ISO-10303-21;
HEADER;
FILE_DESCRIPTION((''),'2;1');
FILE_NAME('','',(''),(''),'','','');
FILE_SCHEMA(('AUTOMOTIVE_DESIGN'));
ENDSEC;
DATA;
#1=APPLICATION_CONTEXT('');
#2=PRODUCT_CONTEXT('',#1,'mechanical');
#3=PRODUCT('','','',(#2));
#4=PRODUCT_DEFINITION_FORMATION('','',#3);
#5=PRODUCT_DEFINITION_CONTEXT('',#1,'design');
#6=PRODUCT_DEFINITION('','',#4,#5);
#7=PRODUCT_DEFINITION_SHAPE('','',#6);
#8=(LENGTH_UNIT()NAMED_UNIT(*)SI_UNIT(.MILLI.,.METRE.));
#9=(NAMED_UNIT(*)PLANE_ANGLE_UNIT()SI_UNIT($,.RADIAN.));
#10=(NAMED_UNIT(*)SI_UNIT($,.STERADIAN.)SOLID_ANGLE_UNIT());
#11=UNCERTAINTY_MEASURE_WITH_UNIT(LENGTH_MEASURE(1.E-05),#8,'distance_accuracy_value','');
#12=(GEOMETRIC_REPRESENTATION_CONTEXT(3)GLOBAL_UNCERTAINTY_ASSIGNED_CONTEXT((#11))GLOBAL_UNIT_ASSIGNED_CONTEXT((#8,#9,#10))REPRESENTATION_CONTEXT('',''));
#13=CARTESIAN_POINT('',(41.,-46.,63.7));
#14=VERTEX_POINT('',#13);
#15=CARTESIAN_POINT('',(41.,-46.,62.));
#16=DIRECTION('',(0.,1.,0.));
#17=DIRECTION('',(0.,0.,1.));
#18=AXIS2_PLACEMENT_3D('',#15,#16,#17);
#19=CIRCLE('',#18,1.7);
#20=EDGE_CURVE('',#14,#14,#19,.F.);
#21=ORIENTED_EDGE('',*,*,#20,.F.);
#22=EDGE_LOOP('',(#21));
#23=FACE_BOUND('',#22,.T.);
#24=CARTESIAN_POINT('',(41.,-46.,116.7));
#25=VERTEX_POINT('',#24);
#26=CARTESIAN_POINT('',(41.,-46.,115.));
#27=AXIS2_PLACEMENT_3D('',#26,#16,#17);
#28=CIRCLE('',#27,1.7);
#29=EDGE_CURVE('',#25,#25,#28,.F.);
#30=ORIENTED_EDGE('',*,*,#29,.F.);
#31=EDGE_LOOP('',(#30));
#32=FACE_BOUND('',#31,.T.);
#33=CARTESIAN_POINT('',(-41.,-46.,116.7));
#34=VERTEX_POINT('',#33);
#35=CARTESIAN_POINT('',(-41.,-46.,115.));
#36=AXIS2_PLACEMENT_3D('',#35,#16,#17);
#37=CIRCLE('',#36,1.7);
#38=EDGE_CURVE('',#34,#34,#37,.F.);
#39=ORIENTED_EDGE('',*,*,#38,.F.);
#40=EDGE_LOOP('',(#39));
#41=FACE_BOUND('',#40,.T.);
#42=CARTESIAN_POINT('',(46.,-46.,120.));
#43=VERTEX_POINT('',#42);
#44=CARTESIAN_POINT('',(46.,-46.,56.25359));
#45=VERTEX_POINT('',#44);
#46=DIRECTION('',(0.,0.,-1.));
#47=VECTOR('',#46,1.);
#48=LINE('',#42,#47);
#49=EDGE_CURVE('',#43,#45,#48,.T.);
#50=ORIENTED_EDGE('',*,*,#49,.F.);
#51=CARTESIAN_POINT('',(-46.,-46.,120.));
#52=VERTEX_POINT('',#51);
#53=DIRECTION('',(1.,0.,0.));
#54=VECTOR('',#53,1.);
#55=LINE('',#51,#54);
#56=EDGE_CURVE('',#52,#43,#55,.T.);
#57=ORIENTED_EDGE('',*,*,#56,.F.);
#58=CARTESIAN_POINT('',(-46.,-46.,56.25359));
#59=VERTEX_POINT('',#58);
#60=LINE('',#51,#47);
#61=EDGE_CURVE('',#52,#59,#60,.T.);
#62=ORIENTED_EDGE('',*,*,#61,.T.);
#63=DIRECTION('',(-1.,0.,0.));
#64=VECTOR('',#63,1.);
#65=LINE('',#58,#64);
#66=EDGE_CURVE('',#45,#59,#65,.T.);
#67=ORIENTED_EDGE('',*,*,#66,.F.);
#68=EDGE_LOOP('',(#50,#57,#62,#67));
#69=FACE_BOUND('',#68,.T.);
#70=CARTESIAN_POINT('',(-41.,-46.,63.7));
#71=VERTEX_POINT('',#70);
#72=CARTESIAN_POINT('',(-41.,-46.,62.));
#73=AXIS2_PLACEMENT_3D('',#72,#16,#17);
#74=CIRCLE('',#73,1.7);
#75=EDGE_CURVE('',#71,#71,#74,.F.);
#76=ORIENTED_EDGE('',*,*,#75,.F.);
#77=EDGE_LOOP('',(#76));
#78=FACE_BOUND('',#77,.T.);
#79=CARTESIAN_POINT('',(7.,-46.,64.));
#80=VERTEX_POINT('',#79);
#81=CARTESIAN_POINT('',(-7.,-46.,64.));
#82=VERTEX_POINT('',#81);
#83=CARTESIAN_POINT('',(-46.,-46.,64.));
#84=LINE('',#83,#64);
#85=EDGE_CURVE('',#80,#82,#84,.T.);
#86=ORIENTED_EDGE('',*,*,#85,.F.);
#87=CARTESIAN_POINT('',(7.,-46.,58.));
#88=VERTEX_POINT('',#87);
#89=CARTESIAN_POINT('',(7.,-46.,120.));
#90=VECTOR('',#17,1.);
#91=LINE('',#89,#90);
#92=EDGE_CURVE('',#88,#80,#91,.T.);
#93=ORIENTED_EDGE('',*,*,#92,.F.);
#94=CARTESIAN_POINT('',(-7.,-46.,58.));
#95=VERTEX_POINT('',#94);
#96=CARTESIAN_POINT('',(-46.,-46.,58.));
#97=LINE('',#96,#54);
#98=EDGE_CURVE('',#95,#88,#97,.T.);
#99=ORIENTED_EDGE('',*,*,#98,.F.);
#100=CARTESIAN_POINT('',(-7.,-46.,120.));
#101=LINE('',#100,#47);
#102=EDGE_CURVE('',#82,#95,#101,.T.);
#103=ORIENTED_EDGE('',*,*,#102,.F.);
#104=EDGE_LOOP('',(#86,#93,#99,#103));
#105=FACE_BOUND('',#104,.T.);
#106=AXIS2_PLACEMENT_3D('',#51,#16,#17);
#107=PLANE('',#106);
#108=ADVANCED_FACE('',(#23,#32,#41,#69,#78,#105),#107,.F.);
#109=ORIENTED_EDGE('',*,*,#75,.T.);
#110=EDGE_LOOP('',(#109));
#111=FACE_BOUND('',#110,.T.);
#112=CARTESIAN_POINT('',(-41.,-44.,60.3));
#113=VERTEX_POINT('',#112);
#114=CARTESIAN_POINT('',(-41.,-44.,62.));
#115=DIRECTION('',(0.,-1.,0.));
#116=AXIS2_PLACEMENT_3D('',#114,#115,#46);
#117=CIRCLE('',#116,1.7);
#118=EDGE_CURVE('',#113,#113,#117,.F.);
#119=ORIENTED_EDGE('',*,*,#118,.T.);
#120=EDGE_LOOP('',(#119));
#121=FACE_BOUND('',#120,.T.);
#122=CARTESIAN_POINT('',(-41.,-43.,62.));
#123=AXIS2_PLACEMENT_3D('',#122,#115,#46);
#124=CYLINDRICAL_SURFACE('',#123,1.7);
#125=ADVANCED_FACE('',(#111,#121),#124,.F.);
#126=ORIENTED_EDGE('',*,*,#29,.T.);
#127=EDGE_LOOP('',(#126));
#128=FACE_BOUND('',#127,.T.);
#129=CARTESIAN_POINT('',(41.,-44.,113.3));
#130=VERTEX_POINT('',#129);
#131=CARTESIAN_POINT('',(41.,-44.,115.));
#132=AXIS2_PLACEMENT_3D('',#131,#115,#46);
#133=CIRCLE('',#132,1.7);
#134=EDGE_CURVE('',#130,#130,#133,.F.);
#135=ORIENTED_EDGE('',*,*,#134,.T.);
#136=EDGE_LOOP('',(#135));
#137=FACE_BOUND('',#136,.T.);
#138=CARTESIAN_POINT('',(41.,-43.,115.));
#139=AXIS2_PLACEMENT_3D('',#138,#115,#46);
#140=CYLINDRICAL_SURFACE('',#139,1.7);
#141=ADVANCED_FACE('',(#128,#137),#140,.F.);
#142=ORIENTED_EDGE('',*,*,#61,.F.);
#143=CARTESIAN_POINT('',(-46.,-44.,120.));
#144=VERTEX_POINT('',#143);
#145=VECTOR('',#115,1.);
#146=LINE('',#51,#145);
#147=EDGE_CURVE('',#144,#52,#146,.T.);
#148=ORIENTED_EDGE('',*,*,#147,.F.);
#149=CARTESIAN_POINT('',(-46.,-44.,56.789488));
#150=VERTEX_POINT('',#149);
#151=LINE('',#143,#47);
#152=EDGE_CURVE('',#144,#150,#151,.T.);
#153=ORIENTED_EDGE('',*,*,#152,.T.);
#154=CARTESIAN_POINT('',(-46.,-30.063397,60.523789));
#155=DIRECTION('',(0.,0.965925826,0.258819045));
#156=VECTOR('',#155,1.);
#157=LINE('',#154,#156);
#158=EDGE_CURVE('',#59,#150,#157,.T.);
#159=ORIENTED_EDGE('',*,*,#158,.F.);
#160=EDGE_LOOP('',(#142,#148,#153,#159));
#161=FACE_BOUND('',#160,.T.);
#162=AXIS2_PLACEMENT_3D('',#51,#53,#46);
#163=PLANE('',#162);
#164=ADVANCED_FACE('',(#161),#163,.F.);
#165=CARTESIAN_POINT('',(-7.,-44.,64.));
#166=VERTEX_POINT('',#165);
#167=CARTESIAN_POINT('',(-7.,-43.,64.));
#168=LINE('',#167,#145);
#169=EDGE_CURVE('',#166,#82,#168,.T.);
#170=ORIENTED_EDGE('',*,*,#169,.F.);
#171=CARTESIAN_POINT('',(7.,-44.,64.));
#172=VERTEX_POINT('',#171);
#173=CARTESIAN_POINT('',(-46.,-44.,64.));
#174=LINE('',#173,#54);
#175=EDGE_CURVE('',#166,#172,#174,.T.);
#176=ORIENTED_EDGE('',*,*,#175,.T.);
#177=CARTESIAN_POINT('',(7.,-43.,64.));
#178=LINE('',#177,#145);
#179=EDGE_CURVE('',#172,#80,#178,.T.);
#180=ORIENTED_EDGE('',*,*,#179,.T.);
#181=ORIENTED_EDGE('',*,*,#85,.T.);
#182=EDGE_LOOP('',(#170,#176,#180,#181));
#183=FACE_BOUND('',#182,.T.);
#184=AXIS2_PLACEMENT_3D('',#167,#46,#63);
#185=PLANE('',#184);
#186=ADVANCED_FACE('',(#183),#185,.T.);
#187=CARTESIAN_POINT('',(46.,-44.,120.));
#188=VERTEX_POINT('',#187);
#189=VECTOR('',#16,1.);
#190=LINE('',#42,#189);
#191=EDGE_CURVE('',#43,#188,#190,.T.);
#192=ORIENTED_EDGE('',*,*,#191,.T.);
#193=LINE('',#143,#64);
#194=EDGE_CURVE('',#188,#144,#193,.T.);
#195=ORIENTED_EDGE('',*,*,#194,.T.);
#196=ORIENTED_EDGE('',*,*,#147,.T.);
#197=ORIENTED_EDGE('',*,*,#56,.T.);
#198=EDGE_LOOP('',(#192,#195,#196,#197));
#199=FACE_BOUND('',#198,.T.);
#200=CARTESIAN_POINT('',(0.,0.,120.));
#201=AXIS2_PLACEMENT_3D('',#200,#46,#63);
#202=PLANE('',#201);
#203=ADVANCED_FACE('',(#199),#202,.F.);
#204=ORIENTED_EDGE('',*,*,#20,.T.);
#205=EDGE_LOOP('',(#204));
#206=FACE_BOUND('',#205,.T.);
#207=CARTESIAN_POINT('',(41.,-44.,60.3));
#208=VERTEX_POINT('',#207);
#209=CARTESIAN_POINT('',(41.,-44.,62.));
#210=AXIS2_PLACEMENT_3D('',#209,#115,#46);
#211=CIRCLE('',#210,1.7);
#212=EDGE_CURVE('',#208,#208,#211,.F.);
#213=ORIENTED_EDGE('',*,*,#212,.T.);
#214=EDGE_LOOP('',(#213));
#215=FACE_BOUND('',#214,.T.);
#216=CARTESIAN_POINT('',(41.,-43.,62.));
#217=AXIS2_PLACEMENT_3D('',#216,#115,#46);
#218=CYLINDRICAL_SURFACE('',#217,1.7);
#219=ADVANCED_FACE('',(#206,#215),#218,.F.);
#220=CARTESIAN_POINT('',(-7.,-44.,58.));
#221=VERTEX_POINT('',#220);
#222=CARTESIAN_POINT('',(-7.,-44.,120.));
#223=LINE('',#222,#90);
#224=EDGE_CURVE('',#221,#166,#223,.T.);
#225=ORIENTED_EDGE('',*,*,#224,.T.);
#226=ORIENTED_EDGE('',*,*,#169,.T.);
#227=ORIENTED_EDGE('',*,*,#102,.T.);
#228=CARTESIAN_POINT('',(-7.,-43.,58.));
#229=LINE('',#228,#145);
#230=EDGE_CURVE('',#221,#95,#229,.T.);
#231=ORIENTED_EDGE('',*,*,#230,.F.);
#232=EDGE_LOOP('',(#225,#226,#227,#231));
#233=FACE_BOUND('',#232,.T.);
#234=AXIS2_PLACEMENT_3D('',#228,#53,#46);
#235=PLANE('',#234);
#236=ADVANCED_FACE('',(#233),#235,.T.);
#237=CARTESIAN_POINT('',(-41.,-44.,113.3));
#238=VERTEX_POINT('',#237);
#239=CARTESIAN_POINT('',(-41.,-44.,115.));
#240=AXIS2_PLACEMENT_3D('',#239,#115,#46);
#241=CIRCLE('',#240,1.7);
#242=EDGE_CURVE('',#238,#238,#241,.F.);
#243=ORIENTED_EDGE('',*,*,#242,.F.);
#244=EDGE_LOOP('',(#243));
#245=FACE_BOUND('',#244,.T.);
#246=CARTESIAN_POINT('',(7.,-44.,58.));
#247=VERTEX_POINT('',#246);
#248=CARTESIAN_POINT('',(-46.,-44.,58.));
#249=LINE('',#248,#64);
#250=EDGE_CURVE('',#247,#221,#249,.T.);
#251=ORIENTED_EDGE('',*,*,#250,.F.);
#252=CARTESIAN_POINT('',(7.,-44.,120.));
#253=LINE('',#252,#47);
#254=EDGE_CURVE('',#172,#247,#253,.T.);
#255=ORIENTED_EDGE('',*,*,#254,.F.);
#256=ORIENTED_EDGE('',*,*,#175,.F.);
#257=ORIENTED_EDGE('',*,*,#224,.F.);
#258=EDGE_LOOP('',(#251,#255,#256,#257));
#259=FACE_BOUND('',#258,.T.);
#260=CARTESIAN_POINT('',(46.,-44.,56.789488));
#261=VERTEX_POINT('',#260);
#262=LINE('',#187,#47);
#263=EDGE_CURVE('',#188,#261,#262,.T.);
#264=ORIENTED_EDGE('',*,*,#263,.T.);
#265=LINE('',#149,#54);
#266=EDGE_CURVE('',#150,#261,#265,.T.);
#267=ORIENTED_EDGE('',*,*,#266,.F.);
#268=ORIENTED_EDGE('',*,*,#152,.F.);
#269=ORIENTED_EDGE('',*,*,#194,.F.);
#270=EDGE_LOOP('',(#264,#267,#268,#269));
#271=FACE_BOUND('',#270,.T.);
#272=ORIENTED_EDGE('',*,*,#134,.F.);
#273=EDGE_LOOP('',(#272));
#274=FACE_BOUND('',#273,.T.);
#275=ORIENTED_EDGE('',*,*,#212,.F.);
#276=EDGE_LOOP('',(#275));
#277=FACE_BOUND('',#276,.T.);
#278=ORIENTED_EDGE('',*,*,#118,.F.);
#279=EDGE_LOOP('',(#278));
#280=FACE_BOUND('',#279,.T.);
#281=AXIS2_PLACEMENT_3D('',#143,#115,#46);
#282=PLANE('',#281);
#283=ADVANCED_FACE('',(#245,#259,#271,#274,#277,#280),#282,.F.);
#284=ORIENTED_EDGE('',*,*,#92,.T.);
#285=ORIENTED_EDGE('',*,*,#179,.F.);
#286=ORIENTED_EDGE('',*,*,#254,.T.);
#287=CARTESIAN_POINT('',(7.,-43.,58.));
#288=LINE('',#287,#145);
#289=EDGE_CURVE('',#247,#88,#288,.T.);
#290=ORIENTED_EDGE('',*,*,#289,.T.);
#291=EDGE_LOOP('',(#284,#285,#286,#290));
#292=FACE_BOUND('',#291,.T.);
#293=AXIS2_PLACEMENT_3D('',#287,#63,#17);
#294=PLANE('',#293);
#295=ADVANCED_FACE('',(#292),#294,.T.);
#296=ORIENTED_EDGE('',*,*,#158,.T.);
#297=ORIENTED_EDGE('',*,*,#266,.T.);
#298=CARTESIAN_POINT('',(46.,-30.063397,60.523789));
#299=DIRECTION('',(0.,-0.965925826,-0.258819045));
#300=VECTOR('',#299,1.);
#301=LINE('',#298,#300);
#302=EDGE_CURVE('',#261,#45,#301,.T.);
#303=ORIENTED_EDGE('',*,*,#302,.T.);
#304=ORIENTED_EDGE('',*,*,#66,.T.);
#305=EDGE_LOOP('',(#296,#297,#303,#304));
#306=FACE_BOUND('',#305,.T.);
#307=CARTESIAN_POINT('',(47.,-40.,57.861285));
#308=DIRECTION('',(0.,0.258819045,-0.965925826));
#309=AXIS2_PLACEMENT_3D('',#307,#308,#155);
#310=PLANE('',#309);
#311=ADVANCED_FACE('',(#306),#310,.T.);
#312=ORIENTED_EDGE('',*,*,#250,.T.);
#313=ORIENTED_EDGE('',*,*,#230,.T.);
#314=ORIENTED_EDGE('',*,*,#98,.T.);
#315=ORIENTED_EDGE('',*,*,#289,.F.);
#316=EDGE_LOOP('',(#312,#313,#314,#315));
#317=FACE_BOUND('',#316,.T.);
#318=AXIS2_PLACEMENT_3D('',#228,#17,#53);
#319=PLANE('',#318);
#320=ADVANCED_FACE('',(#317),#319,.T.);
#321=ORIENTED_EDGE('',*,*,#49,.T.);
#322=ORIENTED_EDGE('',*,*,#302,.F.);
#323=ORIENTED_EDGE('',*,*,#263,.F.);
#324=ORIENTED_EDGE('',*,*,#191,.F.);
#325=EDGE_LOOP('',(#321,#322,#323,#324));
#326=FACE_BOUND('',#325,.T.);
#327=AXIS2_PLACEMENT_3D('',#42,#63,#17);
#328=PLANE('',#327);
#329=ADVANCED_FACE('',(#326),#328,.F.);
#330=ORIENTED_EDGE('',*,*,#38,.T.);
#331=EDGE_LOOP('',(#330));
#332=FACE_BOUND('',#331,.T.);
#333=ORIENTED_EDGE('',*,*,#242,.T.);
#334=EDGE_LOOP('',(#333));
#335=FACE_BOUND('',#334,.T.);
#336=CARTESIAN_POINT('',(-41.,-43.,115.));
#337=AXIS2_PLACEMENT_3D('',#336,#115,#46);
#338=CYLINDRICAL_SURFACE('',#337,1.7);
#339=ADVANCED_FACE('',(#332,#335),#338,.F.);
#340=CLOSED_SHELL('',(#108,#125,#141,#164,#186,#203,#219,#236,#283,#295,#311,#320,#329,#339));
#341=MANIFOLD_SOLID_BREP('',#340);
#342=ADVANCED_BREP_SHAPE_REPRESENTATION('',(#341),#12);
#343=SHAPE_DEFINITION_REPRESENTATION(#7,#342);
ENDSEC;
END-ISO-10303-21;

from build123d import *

# Parameters (mm, degrees)
SKETCH_1_W                               = 92
SKETCH_1_H                               = 2
REAR_COVER_2MM_1_DEPTH                   = 65
SKETCH_3_W                               = 14
SKETCH_3_H                               = 6
DISPLAY_WIRE_EXIT_14X6_3_DEPTH           = 4
REAR_COVER_CAGE_ROOF_CLEARANCE_207_DEPTH = 94
SKETCH_5_R                               = 1.7
REAR_COVER_M3_CLEARANCE_FINAL_208_DEPTH  = 4


with BuildPart() as part:
    # Эскиз1 → Rear_cover_2mm_1 (new body)
    with BuildSketch(Plane.XY.offset(55)):
        with Locations((0, -45)):
            Rectangle(SKETCH_1_W, SKETCH_1_H)
    extrude(amount=REAR_COVER_2MM_1_DEPTH)

    # Эскиз3 → Display_wire_exit_14x6_3 (cut)
    with BuildSketch(Plane(origin=(0, -47, 0), x_dir=(1, 0, 0), z_dir=(0, 1, 0))):
        with Locations((0, -61)):
            Rectangle(SKETCH_3_W, SKETCH_3_H)
    extrude(amount=DISPLAY_WIRE_EXIT_14X6_3_DEPTH, mode=Mode.SUBTRACT)

    # Эскиз4 → Rear_cover_cage_roof_clearance_207 (cut)
    with BuildSketch(Plane(origin=(-47, 0, 0), x_dir=(0, 0, -1), z_dir=(1, 0, 0))):
        Polygon((-10, -47), (-10, -40), (-57.861284772, -40), (-55.985640425, -47), align=None)
    extrude(amount=REAR_COVER_CAGE_ROOF_CLEARANCE_207_DEPTH, mode=Mode.SUBTRACT)

    # Эскиз5 → Rear_cover_M3_clearance_final_208 (cut)
    with BuildSketch(Plane(origin=(0, -47, 0), x_dir=(1, 0, 0), z_dir=(0, 1, 0))):
        with Locations(Location((-41, -62, 0), (0, 0, 90))):
            Circle(SKETCH_5_R)
        with Locations(Location((41, -62, 0), (0, 0, 90))):
            Circle(SKETCH_5_R)
        with Locations(Location((-41, -115, 0), (0, 0, 90))):
            Circle(SKETCH_5_R)
        with Locations(Location((41, -115, 0), (0, 0, 90))):
            Circle(SKETCH_5_R)
    extrude(amount=REAR_COVER_M3_CLEARANCE_FINAL_208_DEPTH, mode=Mode.SUBTRACT)


solid = part.part
